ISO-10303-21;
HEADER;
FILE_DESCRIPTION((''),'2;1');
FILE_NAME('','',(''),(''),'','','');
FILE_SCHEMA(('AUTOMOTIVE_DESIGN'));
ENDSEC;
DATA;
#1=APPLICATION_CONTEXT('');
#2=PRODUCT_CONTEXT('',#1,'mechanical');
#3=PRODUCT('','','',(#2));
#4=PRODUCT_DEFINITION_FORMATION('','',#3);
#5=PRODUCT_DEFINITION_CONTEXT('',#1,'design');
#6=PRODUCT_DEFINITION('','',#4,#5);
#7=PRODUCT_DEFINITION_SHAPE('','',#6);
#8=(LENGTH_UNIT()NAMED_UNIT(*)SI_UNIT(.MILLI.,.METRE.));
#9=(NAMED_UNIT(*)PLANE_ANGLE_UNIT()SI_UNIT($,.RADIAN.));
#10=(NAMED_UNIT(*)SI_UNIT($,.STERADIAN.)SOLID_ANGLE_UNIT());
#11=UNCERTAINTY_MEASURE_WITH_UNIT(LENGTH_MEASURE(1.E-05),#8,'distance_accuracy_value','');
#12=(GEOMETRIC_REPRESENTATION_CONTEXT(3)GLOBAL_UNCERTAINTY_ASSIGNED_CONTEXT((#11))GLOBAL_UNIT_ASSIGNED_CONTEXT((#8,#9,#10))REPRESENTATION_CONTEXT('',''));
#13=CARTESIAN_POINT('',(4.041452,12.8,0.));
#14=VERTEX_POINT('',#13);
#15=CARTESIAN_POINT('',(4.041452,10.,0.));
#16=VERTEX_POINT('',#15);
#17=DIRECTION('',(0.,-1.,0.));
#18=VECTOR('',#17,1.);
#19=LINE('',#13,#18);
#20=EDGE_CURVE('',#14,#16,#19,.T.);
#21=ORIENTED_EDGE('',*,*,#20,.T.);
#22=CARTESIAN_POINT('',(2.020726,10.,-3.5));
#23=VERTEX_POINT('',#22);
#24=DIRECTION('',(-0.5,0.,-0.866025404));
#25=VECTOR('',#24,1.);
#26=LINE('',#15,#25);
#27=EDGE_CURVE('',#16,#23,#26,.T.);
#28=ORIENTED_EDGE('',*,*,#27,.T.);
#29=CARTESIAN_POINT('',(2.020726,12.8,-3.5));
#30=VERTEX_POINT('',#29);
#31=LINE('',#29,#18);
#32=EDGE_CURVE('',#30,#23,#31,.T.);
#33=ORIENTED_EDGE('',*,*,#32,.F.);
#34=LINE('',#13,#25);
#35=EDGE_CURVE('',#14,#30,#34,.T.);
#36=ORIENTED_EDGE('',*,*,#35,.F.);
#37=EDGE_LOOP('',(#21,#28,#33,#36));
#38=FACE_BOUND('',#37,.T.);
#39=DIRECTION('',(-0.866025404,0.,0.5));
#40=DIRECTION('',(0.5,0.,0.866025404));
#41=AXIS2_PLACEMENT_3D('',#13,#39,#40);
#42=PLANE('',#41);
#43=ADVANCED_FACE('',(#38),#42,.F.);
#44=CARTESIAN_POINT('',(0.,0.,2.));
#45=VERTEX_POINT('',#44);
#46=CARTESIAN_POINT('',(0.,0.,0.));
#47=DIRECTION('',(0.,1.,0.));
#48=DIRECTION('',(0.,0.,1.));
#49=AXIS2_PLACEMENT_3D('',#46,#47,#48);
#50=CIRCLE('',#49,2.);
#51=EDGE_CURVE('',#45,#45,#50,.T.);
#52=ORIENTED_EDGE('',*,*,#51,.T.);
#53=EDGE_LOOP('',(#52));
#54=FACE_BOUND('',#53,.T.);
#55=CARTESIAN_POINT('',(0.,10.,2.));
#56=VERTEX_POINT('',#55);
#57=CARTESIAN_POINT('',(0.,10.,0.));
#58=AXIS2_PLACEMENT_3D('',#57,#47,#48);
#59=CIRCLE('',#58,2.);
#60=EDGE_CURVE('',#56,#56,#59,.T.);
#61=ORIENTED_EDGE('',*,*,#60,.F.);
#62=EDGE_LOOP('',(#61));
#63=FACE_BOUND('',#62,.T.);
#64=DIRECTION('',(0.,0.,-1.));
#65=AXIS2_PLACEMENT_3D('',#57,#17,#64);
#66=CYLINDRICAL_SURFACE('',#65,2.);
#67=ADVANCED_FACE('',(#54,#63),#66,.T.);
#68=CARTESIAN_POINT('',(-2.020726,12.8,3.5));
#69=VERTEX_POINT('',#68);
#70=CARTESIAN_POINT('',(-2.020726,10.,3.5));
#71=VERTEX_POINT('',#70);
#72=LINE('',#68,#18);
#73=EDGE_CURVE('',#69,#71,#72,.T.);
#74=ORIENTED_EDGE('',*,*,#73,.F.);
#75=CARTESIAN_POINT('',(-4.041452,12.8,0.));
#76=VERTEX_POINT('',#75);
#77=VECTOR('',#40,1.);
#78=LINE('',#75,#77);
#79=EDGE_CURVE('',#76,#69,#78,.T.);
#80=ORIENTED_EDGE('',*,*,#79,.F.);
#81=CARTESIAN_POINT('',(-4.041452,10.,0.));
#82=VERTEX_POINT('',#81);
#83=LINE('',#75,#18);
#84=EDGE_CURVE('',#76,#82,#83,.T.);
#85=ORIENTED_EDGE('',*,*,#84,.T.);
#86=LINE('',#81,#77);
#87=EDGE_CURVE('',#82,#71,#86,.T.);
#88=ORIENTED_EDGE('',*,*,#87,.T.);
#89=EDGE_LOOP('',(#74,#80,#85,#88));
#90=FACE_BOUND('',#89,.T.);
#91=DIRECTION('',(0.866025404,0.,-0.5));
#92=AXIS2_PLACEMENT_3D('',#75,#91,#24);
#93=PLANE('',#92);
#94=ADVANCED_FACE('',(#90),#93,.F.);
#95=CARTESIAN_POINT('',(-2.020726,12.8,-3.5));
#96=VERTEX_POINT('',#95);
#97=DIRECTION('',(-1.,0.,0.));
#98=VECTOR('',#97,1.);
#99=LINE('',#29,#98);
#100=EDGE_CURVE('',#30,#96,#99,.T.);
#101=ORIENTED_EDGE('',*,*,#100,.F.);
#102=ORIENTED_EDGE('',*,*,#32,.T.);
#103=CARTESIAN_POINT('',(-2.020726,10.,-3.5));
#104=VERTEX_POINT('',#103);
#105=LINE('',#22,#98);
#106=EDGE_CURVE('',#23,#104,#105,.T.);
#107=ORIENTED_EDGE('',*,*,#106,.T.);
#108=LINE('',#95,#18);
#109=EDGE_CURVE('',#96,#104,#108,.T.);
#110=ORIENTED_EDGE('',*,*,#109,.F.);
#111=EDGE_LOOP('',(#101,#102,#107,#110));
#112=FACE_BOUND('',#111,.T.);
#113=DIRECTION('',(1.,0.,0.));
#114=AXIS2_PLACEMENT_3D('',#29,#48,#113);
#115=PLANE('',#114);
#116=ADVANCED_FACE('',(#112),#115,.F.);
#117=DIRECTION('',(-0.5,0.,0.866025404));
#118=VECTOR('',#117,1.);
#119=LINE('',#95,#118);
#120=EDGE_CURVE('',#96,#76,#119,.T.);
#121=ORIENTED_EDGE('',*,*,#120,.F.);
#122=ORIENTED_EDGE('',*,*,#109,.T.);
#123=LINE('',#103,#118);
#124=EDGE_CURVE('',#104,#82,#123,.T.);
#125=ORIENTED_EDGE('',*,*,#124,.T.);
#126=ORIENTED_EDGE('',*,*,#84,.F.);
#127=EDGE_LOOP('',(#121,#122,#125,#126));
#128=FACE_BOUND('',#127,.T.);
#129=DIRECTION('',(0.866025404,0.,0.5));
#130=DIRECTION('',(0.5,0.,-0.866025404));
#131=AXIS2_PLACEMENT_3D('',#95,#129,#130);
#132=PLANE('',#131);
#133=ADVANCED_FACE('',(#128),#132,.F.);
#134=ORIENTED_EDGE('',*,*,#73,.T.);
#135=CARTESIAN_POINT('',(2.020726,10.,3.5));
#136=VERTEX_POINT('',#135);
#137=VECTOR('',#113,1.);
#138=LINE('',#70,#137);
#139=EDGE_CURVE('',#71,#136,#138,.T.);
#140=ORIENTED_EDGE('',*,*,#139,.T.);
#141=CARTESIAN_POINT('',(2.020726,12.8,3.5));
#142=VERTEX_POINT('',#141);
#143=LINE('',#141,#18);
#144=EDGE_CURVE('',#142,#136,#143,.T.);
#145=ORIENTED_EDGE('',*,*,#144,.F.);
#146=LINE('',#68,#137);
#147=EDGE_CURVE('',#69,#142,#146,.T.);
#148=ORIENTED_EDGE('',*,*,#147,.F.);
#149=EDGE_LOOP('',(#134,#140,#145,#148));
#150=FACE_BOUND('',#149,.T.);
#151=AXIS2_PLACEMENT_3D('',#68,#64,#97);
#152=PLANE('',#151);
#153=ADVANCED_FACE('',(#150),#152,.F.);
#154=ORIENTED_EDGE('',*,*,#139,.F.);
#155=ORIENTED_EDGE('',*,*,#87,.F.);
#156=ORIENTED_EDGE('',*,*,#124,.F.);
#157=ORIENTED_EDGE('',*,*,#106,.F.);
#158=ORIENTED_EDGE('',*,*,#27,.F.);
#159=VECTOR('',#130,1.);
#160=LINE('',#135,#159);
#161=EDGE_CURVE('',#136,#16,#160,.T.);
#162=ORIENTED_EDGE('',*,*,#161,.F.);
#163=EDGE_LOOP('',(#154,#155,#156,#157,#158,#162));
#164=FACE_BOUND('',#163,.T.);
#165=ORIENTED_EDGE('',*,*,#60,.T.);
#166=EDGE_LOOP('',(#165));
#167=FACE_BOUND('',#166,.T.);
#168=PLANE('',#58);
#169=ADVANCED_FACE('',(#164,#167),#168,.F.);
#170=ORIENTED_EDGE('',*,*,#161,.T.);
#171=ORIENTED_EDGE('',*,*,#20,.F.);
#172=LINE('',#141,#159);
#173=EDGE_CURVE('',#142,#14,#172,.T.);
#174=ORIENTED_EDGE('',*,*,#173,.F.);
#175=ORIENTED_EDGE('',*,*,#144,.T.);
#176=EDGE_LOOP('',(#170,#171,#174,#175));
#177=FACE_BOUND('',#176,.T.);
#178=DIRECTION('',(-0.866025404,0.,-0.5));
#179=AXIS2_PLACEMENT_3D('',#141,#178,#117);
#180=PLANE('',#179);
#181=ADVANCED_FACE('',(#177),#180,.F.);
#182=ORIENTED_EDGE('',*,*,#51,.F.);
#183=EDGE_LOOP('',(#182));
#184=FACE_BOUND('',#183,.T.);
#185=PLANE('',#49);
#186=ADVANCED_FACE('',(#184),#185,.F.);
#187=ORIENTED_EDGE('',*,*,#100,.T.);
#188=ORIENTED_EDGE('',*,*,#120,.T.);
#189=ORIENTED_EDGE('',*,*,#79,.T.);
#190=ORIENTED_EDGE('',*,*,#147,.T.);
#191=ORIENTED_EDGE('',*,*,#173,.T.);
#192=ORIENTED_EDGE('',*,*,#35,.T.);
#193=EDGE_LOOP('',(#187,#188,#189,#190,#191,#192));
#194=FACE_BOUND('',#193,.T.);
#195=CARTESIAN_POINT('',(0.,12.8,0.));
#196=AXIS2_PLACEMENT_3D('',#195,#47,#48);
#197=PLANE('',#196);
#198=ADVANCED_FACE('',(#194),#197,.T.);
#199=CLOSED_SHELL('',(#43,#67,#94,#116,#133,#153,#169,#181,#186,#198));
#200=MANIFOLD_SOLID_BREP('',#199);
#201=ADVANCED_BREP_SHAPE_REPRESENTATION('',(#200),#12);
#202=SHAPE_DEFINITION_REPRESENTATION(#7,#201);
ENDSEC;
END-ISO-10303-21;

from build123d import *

# Parameters (mm, degrees)
SKETCH_1_R      = 2
EXTRUDE_1_DEPTH = 10
EXTRUDE_2_DEPTH = 2.8


with BuildPart() as part:
    # 草图1 → 凸台-拉伸1 (new body)
    with BuildSketch(Plane(origin=(0, 0, 0), x_dir=(1, 0, 0), z_dir=(0, 1, 0))):
        with Locations(Location((0, 0, 0), (0, 0, 270))):
            Circle(SKETCH_1_R)
    extrude(amount=EXTRUDE_1_DEPTH)

    # 草图2 → 凸台-拉伸2 (add)
    with BuildSketch(Plane(origin=(0, 10, 0), x_dir=(1, 0, 0), z_dir=(0, 1, 0))):
        Polygon((4.041451884, 0), (2.020725942, 3.5), (-2.020725942, 3.5), (-4.041451884, 0), (-2.020725942, -3.5), (2.020725942, -3.5), align=None)
    extrude(amount=EXTRUDE_2_DEPTH)


solid = part.part
